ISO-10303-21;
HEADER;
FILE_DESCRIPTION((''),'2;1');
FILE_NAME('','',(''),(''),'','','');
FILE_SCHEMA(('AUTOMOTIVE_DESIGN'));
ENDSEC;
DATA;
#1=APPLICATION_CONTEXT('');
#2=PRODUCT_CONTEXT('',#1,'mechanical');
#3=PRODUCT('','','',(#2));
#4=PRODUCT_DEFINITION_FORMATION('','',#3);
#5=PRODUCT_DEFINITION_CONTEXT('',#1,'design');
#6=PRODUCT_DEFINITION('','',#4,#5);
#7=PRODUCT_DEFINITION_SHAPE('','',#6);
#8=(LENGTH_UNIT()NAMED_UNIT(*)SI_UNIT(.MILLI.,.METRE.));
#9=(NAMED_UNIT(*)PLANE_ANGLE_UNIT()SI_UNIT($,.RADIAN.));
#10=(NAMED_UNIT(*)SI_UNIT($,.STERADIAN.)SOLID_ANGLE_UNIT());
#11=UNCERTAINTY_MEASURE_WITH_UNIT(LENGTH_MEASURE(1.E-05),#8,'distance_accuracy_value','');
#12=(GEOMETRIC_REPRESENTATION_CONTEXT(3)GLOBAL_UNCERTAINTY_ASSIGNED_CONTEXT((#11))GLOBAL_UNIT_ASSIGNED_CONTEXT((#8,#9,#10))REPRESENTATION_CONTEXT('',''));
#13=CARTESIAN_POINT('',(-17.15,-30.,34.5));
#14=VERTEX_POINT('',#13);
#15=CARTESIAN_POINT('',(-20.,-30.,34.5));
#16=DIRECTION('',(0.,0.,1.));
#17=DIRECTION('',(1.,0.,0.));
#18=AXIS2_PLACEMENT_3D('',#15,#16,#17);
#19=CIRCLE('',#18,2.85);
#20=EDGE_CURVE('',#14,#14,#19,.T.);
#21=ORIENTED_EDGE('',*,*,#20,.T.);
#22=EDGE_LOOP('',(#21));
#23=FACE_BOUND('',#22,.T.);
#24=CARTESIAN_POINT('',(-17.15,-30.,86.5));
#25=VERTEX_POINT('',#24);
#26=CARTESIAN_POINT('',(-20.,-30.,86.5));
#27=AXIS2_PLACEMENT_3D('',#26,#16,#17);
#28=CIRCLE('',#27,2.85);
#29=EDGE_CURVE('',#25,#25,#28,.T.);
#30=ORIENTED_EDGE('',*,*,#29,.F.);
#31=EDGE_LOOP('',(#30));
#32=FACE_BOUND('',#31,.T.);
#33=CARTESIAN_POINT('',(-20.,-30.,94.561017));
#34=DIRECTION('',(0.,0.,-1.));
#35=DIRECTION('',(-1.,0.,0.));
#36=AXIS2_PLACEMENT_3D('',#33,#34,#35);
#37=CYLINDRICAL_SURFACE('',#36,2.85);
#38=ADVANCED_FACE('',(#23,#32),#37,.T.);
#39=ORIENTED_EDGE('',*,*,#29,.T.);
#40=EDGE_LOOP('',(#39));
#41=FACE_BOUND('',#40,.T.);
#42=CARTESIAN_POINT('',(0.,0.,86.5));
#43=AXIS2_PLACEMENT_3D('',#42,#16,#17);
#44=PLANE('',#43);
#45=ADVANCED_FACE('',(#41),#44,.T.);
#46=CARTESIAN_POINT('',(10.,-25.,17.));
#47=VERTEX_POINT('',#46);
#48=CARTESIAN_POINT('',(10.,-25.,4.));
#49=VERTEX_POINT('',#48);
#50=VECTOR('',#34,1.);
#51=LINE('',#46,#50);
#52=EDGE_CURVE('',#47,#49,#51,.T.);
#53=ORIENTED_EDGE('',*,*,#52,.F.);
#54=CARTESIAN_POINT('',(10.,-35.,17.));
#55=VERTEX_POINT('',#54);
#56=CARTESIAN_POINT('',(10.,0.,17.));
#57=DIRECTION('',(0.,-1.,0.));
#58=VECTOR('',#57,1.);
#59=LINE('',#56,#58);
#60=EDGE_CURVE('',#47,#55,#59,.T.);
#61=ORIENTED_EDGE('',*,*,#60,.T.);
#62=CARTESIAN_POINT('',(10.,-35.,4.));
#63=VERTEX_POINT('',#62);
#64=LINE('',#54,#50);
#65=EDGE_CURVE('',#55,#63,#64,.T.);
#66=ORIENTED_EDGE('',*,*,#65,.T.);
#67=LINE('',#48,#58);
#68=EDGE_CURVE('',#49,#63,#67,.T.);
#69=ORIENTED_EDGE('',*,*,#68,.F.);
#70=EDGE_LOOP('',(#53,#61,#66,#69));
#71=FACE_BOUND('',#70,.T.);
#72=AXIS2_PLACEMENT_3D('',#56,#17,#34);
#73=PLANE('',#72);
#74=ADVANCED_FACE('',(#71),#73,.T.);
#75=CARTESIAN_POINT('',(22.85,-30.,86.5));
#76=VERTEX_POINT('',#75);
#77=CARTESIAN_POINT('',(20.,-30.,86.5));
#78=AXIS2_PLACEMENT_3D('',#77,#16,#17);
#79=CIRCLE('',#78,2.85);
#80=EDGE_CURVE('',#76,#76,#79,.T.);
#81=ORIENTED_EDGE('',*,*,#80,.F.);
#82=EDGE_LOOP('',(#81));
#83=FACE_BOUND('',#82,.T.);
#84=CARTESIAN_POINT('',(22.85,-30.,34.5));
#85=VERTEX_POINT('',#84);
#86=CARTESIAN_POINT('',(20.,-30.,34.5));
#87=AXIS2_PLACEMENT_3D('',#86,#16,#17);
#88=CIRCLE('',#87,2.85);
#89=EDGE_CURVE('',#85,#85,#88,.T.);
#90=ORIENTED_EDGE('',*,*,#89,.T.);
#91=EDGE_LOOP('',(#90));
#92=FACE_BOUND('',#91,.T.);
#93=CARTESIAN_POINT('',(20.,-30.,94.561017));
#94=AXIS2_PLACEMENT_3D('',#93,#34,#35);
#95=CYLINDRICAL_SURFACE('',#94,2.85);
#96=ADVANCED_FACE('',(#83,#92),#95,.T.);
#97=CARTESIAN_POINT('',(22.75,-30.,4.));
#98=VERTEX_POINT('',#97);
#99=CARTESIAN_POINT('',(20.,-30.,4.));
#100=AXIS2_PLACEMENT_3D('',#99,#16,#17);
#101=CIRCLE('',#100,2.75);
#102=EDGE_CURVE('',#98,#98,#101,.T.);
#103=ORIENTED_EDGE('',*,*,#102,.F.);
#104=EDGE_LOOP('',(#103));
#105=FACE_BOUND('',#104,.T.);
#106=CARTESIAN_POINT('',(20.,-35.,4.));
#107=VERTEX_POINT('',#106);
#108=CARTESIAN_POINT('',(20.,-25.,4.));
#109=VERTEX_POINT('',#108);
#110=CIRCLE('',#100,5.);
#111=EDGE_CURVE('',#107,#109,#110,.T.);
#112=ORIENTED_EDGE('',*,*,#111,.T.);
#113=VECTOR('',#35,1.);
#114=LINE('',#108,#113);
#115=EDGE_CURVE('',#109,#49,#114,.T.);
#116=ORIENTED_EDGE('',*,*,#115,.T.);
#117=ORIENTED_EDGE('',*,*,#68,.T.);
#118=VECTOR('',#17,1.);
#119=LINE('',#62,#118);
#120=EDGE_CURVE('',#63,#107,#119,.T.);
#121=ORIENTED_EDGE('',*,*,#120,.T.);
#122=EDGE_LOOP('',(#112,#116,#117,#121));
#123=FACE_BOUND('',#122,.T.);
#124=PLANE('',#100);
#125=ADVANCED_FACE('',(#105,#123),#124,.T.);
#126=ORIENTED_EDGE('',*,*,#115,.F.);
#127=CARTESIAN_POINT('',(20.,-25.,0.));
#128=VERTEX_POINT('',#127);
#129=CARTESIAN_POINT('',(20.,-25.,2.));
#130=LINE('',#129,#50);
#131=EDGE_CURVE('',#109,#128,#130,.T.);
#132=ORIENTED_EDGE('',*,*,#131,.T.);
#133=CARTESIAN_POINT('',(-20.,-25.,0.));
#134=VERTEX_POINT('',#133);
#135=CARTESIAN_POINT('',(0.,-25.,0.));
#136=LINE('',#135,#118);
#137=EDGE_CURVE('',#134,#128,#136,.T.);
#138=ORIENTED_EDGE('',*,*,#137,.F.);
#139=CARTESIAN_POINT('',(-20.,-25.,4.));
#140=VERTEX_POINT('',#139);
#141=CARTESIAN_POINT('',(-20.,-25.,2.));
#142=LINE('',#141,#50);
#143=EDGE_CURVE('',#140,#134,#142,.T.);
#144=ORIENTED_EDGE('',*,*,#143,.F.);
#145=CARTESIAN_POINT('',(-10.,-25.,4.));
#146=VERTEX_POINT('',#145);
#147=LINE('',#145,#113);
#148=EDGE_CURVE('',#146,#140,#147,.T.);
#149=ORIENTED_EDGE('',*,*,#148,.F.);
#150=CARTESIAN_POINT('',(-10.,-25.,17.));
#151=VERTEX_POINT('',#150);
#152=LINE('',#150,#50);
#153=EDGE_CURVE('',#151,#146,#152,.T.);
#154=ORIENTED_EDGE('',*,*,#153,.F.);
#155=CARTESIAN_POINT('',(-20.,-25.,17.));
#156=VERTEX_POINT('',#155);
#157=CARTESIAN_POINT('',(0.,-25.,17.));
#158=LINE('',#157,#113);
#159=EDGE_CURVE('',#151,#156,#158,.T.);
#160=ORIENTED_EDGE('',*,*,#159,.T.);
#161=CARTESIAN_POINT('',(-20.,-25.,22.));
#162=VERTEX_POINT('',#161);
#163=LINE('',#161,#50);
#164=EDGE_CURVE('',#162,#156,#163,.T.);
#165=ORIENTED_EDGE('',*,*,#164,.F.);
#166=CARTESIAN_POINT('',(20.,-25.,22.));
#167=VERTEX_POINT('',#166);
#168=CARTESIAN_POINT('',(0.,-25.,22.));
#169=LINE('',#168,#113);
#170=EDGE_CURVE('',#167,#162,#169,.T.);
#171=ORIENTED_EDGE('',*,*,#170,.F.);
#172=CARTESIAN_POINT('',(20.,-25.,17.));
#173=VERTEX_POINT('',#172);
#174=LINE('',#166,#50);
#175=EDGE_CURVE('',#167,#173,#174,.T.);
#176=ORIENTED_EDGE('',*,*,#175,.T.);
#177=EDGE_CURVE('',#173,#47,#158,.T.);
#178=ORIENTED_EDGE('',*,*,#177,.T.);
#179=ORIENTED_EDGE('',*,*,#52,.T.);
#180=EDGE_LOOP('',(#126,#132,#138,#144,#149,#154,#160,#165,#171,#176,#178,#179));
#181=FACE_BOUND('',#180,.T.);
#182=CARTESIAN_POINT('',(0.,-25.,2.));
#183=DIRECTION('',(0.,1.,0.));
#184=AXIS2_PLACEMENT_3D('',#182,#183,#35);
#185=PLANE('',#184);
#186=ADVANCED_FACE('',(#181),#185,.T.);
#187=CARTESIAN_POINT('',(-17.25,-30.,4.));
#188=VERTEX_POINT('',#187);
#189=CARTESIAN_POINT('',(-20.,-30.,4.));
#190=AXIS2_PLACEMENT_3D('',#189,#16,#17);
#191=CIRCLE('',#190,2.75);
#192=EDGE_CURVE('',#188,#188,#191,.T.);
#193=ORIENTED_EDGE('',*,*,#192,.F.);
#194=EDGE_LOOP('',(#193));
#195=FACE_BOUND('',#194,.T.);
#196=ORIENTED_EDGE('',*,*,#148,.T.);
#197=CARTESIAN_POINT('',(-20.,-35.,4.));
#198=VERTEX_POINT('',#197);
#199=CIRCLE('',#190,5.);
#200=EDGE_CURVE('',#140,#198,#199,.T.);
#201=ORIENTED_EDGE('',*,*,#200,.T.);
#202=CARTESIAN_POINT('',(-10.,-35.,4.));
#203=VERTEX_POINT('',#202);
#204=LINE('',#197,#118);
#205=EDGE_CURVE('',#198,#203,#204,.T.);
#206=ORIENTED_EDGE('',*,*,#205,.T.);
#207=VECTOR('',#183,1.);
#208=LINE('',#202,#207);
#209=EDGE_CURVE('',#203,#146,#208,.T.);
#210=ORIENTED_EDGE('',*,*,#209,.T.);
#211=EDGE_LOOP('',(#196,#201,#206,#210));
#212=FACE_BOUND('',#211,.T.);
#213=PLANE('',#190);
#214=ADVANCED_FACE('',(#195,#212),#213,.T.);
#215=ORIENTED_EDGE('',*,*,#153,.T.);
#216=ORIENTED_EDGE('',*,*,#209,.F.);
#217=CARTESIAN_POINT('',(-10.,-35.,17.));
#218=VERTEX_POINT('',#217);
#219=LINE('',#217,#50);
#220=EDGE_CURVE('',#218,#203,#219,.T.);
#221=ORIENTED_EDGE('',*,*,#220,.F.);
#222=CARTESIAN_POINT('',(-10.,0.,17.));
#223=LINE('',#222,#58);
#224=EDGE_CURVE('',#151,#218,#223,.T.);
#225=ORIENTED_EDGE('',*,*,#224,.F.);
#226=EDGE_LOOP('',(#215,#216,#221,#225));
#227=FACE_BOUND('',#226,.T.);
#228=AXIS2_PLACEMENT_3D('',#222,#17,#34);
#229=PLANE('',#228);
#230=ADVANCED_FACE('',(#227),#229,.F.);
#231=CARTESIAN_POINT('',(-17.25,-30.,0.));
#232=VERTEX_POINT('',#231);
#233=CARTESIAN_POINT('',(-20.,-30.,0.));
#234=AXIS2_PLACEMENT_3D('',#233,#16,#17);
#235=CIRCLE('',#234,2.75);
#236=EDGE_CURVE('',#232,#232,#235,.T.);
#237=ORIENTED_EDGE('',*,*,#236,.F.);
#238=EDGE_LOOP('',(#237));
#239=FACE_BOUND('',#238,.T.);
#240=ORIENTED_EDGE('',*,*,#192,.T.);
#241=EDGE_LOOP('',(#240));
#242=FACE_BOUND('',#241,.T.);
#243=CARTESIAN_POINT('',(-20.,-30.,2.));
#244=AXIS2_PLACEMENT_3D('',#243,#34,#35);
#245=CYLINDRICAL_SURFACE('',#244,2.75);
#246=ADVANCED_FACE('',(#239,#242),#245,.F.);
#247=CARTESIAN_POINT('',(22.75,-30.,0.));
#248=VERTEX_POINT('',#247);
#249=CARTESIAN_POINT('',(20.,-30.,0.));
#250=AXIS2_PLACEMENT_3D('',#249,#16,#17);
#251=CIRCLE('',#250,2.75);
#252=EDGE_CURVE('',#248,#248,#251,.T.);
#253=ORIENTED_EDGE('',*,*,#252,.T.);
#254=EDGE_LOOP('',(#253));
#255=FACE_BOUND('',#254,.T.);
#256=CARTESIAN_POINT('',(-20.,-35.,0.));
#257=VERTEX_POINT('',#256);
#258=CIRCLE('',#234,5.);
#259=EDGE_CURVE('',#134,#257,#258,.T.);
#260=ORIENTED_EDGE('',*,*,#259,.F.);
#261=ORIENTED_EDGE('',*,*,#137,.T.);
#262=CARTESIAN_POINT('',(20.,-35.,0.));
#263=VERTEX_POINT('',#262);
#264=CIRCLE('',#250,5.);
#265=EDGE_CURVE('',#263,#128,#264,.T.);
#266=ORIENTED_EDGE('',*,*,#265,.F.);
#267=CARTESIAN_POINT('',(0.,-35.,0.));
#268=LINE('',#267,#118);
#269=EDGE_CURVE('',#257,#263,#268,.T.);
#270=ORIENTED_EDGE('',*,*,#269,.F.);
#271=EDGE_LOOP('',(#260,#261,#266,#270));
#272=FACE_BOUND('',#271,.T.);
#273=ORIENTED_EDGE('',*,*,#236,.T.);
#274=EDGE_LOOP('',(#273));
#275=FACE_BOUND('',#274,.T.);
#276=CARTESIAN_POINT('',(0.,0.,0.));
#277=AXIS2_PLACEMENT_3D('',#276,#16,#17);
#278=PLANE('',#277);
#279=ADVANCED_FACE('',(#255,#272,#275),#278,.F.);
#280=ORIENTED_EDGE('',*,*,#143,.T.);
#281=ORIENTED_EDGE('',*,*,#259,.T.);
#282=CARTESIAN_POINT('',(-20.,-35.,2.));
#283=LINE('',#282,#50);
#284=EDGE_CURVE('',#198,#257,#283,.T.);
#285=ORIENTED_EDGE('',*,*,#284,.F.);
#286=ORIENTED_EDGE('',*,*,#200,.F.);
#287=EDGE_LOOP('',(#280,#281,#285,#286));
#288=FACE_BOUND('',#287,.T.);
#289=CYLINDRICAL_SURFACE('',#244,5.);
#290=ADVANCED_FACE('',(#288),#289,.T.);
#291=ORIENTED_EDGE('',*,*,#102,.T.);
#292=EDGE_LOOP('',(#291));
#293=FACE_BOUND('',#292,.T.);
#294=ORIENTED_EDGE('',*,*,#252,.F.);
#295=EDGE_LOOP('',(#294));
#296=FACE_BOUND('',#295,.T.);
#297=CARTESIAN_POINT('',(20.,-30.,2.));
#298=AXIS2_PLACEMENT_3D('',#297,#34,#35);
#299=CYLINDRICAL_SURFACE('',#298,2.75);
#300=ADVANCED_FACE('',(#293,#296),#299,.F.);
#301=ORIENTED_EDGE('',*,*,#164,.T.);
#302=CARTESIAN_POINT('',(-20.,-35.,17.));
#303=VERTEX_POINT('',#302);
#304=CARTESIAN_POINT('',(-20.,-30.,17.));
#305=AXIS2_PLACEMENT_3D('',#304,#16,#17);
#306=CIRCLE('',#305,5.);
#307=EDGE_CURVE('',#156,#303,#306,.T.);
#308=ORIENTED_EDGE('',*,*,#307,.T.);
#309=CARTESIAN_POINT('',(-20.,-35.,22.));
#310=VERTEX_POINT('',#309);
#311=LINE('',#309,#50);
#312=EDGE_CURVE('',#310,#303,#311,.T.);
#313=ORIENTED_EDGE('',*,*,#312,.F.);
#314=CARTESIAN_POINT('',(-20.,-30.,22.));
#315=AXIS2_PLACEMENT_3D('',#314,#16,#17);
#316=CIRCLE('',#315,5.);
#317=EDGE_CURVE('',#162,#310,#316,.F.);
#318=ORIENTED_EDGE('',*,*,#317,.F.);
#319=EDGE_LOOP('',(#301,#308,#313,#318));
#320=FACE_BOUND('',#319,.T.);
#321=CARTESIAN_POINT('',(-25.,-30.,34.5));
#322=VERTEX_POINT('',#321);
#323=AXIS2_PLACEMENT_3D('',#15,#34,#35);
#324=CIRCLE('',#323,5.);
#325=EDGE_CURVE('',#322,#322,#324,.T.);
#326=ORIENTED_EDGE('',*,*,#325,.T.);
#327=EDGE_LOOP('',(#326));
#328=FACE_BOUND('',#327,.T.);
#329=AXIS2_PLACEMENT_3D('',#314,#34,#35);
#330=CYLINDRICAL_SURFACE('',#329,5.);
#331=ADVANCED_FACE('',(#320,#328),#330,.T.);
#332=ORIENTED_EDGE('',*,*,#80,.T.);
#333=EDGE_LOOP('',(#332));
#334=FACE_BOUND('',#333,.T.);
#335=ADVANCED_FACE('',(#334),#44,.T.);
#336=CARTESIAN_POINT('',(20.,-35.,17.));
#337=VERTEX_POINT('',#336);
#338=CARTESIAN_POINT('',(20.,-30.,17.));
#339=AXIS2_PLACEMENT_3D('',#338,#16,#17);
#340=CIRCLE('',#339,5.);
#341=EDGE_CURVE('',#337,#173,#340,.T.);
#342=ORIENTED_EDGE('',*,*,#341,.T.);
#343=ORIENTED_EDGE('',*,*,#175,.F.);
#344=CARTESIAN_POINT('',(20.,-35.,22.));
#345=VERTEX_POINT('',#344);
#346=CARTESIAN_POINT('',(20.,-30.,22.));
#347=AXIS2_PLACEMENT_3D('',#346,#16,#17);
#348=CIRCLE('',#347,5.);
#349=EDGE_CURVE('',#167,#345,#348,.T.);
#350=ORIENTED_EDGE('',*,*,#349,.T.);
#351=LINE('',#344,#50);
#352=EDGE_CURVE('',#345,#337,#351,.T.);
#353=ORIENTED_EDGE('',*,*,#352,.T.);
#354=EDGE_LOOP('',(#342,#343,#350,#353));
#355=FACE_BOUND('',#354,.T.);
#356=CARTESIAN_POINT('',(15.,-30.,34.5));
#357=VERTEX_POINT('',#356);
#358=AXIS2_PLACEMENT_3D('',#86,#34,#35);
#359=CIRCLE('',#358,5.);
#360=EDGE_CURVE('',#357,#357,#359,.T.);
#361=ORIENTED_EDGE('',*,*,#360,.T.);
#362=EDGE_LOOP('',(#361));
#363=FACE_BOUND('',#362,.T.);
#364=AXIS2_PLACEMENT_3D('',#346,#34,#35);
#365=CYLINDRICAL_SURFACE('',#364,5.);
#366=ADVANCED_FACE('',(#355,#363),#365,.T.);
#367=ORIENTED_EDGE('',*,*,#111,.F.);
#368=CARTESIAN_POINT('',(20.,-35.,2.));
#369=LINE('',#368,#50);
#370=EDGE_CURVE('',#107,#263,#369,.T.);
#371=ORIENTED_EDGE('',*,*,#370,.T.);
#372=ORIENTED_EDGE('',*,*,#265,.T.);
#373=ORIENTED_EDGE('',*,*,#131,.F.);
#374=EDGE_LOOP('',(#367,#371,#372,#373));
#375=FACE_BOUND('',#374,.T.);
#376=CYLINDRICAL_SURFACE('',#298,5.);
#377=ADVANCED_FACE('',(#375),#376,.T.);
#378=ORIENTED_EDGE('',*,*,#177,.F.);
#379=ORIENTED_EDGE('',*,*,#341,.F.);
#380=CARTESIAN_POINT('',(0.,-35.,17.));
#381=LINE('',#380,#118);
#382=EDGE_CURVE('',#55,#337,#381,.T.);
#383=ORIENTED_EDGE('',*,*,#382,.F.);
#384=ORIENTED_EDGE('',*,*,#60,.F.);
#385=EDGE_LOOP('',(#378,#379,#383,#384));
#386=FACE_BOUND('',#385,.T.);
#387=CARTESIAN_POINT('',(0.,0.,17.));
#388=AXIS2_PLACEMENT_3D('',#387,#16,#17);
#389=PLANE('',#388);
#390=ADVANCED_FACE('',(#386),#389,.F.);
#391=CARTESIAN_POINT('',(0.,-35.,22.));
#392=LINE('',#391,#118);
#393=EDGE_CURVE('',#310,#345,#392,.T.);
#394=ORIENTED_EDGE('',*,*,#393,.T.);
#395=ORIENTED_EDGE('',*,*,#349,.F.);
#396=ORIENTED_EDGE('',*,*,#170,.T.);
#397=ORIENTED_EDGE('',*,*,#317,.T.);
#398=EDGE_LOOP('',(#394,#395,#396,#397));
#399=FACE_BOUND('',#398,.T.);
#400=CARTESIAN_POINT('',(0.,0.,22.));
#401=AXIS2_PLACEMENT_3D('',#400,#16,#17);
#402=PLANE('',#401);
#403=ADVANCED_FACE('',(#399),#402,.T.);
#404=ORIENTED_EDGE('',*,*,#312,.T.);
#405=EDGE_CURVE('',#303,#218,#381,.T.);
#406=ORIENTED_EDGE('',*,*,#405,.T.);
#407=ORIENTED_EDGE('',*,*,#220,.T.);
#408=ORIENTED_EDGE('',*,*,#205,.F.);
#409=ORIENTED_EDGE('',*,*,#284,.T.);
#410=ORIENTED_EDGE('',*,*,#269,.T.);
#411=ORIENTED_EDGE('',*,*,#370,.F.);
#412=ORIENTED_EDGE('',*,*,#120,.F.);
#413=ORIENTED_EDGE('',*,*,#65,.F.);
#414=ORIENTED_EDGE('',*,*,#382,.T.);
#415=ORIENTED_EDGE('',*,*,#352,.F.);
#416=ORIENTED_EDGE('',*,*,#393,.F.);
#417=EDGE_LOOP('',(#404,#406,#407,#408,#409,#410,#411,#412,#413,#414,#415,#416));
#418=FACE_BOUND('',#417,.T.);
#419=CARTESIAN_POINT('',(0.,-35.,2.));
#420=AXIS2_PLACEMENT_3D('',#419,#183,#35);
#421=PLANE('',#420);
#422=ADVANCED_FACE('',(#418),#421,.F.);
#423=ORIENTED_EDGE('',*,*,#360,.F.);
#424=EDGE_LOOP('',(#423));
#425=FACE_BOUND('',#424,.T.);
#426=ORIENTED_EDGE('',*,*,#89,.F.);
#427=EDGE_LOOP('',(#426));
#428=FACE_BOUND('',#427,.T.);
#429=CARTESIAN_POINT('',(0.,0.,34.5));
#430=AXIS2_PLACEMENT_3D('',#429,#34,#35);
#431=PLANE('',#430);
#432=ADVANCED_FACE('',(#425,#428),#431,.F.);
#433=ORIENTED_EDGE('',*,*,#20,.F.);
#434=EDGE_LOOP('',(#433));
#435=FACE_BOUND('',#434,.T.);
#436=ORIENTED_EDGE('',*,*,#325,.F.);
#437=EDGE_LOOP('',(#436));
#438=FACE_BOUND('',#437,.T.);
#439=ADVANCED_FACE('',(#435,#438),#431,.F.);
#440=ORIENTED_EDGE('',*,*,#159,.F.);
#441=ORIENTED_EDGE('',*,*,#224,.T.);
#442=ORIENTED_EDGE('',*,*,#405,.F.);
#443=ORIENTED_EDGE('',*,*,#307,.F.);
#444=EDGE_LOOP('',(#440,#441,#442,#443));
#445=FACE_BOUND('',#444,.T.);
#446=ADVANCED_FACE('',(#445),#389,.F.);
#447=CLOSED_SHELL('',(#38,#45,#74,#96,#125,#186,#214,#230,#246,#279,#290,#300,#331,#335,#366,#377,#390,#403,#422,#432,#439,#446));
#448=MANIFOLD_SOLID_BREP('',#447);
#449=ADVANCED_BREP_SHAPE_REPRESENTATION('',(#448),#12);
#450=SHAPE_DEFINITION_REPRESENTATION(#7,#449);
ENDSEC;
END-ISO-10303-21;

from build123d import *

# Parameters (mm, degrees)
SKETCH1_R           = 5
SKETCH1_R_2         = 2.75
BOSS_EXTRUDE1_DEPTH = 2
SKETCH2_W           = 10
SKETCH2_H           = 10
BOSS_EXTRUDE2_DEPTH = 15
SKETCH3_R           = 2.75
SKETCH3_W           = 20
SKETCH3_H           = 10
BOSS_EXTRUDE3_DEPTH = 5
SKETCH4_R           = 5
BOSS_EXTRUDE4_DEPTH = 12.5
SKETCH5_R           = 2.85
BOSS_EXTRUDE5_DEPTH = 52
BOSS_EXTRUDE6_START = 5
SKETCH6_R           = 2.75
BOSS_EXTRUDE6_DEPTH = 5
SKETCH8_R           = 2.75
BOSS_EXTRUDE7_DEPTH = 2


with BuildPart() as part:
    # Sketch1 → Boss-Extrude1 (new body)
    # profile 1 of 3: a face of its own
    with BuildSketch(Plane.XY):
        with Locations((-20, -30)):
            Circle(SKETCH1_R)
        with Locations((-20, -30)):
            Circle(SKETCH1_R_2, mode=Mode.SUBTRACT)
    # profile 2 of 3: a face of its own
    with BuildSketch(Plane.XY):
        with BuildLine():
            Line((20, -25), (-20, -25))
            ThreePointArc((-20, -25), (-16.464466094, -26.464466094), (-15, -30))
            ThreePointArc((-15, -30), (-16.464466094, -33.535533906), (-20, -35))
            Line((-20, -35), (20, -35))
            ThreePointArc((20, -35), (15, -30), (20, -25))
        make_face()
    # profile 3 of 3: a face of its own
    with BuildSketch(Plane.XY):
        with Locations((20, -30)):
            Circle(SKETCH1_R)
        with Locations((20, -30)):
            Circle(SKETCH1_R_2, mode=Mode.SUBTRACT)
    extrude(amount=BOSS_EXTRUDE1_DEPTH)

    # Sketch2 → Boss-Extrude2 (add)
    with BuildSketch(Plane.XY.offset(2)):
        with Locations((-5, -30)):
            Rectangle(SKETCH2_W, SKETCH2_H)
        with Locations((5, -30)):
            Rectangle(SKETCH2_W, SKETCH2_H)
    extrude(amount=BOSS_EXTRUDE2_DEPTH)

    # Sketch3 → Boss-Extrude3 (add)
    # profile 1 of 3: a face of its own
    with BuildSketch(Plane.XY.offset(17)):
        with BuildLine():
            Line((-10, -25), (-20, -25))
            ThreePointArc((-20, -25), (-25, -30), (-20, -35))
            Line((-20, -35), (-10, -35))
            Line((-10, -35), (-10, -25))
        make_face()
        with Locations((-20, -30)):
            Circle(SKETCH3_R, mode=Mode.SUBTRACT)
    # profile 2 of 3: a face of its own
    with BuildSketch(Plane.XY.offset(17)):
        with Locations((0, -30)):
            Rectangle(SKETCH3_W, SKETCH3_H)
    # profile 3 of 3: a face of its own
    with BuildSketch(Plane.XY.offset(17)):
        with BuildLine():
            Line((10, -35), (20, -35))
            ThreePointArc((20, -35), (25, -30), (20, -25))
            Line((20, -25), (10, -25))
            Line((10, -25), (10, -35))
        make_face()
        with Locations((20, -30)):
            Circle(SKETCH3_R, mode=Mode.SUBTRACT)
    extrude(amount=BOSS_EXTRUDE3_DEPTH)

    # Sketch4 → Boss-Extrude4 (add)
    with BuildSketch(Plane.XY.offset(22)):
        with Locations(Location((20, -30, 0), (0, 0, 180))):
            Circle(SKETCH4_R)
        with Locations(Location((-20, -30, 0), (0, 0, 180))):
            Circle(SKETCH4_R)
    extrude(amount=BOSS_EXTRUDE4_DEPTH)

    # Sketch5 → Boss-Extrude5 (add)
    with BuildSketch(Plane.XY.offset(34.5)):
        with Locations((20, -30)):
            Circle(SKETCH5_R)
        with Locations((-20, -30)):
            Circle(SKETCH5_R)
    extrude(amount=BOSS_EXTRUDE5_DEPTH)

    # Sketch6 → Boss-Extrude6 (add)
    with BuildSketch(Plane(origin=(0, 0, 22), x_dir=(-1, 0, 0), z_dir=(0, 0, -1)).offset(BOSS_EXTRUDE6_START)):
        with Locations(Location((20, -30, 0), (0, 0, 180))):
            Circle(SKETCH6_R)
        with Locations(Location((-20, -30, 0), (0, 0, 180))):
            Circle(SKETCH6_R)
    extrude(amount=-BOSS_EXTRUDE6_DEPTH)

    # Sketch8 → Boss-Extrude7 (add)
    # profile 1 of 2: a face of its own
    with BuildSketch(Plane.XY.offset(2)):
        with BuildLine():
            Line((-10, -35), (-10, -25))
            Line((-10, -25), (-20, -25))
            ThreePointArc((-20, -25), (-25, -30), (-20, -35))
            Line((-20, -35), (-10, -35))
        make_face()
        with Locations((-20, -30)):
            Circle(SKETCH8_R, mode=Mode.SUBTRACT)
    # profile 2 of 2: a face of its own
    with BuildSketch(Plane.XY.offset(2)):
        with BuildLine():
            Line((20, -25), (10, -25))
            Line((10, -25), (10, -35))
            Line((10, -35), (20, -35))
            ThreePointArc((20, -35), (25, -30), (20, -25))
        make_face()
        with Locations((20, -30)):
            Circle(SKETCH8_R, mode=Mode.SUBTRACT)
    extrude(amount=BOSS_EXTRUDE7_DEPTH)


solid = part.part
